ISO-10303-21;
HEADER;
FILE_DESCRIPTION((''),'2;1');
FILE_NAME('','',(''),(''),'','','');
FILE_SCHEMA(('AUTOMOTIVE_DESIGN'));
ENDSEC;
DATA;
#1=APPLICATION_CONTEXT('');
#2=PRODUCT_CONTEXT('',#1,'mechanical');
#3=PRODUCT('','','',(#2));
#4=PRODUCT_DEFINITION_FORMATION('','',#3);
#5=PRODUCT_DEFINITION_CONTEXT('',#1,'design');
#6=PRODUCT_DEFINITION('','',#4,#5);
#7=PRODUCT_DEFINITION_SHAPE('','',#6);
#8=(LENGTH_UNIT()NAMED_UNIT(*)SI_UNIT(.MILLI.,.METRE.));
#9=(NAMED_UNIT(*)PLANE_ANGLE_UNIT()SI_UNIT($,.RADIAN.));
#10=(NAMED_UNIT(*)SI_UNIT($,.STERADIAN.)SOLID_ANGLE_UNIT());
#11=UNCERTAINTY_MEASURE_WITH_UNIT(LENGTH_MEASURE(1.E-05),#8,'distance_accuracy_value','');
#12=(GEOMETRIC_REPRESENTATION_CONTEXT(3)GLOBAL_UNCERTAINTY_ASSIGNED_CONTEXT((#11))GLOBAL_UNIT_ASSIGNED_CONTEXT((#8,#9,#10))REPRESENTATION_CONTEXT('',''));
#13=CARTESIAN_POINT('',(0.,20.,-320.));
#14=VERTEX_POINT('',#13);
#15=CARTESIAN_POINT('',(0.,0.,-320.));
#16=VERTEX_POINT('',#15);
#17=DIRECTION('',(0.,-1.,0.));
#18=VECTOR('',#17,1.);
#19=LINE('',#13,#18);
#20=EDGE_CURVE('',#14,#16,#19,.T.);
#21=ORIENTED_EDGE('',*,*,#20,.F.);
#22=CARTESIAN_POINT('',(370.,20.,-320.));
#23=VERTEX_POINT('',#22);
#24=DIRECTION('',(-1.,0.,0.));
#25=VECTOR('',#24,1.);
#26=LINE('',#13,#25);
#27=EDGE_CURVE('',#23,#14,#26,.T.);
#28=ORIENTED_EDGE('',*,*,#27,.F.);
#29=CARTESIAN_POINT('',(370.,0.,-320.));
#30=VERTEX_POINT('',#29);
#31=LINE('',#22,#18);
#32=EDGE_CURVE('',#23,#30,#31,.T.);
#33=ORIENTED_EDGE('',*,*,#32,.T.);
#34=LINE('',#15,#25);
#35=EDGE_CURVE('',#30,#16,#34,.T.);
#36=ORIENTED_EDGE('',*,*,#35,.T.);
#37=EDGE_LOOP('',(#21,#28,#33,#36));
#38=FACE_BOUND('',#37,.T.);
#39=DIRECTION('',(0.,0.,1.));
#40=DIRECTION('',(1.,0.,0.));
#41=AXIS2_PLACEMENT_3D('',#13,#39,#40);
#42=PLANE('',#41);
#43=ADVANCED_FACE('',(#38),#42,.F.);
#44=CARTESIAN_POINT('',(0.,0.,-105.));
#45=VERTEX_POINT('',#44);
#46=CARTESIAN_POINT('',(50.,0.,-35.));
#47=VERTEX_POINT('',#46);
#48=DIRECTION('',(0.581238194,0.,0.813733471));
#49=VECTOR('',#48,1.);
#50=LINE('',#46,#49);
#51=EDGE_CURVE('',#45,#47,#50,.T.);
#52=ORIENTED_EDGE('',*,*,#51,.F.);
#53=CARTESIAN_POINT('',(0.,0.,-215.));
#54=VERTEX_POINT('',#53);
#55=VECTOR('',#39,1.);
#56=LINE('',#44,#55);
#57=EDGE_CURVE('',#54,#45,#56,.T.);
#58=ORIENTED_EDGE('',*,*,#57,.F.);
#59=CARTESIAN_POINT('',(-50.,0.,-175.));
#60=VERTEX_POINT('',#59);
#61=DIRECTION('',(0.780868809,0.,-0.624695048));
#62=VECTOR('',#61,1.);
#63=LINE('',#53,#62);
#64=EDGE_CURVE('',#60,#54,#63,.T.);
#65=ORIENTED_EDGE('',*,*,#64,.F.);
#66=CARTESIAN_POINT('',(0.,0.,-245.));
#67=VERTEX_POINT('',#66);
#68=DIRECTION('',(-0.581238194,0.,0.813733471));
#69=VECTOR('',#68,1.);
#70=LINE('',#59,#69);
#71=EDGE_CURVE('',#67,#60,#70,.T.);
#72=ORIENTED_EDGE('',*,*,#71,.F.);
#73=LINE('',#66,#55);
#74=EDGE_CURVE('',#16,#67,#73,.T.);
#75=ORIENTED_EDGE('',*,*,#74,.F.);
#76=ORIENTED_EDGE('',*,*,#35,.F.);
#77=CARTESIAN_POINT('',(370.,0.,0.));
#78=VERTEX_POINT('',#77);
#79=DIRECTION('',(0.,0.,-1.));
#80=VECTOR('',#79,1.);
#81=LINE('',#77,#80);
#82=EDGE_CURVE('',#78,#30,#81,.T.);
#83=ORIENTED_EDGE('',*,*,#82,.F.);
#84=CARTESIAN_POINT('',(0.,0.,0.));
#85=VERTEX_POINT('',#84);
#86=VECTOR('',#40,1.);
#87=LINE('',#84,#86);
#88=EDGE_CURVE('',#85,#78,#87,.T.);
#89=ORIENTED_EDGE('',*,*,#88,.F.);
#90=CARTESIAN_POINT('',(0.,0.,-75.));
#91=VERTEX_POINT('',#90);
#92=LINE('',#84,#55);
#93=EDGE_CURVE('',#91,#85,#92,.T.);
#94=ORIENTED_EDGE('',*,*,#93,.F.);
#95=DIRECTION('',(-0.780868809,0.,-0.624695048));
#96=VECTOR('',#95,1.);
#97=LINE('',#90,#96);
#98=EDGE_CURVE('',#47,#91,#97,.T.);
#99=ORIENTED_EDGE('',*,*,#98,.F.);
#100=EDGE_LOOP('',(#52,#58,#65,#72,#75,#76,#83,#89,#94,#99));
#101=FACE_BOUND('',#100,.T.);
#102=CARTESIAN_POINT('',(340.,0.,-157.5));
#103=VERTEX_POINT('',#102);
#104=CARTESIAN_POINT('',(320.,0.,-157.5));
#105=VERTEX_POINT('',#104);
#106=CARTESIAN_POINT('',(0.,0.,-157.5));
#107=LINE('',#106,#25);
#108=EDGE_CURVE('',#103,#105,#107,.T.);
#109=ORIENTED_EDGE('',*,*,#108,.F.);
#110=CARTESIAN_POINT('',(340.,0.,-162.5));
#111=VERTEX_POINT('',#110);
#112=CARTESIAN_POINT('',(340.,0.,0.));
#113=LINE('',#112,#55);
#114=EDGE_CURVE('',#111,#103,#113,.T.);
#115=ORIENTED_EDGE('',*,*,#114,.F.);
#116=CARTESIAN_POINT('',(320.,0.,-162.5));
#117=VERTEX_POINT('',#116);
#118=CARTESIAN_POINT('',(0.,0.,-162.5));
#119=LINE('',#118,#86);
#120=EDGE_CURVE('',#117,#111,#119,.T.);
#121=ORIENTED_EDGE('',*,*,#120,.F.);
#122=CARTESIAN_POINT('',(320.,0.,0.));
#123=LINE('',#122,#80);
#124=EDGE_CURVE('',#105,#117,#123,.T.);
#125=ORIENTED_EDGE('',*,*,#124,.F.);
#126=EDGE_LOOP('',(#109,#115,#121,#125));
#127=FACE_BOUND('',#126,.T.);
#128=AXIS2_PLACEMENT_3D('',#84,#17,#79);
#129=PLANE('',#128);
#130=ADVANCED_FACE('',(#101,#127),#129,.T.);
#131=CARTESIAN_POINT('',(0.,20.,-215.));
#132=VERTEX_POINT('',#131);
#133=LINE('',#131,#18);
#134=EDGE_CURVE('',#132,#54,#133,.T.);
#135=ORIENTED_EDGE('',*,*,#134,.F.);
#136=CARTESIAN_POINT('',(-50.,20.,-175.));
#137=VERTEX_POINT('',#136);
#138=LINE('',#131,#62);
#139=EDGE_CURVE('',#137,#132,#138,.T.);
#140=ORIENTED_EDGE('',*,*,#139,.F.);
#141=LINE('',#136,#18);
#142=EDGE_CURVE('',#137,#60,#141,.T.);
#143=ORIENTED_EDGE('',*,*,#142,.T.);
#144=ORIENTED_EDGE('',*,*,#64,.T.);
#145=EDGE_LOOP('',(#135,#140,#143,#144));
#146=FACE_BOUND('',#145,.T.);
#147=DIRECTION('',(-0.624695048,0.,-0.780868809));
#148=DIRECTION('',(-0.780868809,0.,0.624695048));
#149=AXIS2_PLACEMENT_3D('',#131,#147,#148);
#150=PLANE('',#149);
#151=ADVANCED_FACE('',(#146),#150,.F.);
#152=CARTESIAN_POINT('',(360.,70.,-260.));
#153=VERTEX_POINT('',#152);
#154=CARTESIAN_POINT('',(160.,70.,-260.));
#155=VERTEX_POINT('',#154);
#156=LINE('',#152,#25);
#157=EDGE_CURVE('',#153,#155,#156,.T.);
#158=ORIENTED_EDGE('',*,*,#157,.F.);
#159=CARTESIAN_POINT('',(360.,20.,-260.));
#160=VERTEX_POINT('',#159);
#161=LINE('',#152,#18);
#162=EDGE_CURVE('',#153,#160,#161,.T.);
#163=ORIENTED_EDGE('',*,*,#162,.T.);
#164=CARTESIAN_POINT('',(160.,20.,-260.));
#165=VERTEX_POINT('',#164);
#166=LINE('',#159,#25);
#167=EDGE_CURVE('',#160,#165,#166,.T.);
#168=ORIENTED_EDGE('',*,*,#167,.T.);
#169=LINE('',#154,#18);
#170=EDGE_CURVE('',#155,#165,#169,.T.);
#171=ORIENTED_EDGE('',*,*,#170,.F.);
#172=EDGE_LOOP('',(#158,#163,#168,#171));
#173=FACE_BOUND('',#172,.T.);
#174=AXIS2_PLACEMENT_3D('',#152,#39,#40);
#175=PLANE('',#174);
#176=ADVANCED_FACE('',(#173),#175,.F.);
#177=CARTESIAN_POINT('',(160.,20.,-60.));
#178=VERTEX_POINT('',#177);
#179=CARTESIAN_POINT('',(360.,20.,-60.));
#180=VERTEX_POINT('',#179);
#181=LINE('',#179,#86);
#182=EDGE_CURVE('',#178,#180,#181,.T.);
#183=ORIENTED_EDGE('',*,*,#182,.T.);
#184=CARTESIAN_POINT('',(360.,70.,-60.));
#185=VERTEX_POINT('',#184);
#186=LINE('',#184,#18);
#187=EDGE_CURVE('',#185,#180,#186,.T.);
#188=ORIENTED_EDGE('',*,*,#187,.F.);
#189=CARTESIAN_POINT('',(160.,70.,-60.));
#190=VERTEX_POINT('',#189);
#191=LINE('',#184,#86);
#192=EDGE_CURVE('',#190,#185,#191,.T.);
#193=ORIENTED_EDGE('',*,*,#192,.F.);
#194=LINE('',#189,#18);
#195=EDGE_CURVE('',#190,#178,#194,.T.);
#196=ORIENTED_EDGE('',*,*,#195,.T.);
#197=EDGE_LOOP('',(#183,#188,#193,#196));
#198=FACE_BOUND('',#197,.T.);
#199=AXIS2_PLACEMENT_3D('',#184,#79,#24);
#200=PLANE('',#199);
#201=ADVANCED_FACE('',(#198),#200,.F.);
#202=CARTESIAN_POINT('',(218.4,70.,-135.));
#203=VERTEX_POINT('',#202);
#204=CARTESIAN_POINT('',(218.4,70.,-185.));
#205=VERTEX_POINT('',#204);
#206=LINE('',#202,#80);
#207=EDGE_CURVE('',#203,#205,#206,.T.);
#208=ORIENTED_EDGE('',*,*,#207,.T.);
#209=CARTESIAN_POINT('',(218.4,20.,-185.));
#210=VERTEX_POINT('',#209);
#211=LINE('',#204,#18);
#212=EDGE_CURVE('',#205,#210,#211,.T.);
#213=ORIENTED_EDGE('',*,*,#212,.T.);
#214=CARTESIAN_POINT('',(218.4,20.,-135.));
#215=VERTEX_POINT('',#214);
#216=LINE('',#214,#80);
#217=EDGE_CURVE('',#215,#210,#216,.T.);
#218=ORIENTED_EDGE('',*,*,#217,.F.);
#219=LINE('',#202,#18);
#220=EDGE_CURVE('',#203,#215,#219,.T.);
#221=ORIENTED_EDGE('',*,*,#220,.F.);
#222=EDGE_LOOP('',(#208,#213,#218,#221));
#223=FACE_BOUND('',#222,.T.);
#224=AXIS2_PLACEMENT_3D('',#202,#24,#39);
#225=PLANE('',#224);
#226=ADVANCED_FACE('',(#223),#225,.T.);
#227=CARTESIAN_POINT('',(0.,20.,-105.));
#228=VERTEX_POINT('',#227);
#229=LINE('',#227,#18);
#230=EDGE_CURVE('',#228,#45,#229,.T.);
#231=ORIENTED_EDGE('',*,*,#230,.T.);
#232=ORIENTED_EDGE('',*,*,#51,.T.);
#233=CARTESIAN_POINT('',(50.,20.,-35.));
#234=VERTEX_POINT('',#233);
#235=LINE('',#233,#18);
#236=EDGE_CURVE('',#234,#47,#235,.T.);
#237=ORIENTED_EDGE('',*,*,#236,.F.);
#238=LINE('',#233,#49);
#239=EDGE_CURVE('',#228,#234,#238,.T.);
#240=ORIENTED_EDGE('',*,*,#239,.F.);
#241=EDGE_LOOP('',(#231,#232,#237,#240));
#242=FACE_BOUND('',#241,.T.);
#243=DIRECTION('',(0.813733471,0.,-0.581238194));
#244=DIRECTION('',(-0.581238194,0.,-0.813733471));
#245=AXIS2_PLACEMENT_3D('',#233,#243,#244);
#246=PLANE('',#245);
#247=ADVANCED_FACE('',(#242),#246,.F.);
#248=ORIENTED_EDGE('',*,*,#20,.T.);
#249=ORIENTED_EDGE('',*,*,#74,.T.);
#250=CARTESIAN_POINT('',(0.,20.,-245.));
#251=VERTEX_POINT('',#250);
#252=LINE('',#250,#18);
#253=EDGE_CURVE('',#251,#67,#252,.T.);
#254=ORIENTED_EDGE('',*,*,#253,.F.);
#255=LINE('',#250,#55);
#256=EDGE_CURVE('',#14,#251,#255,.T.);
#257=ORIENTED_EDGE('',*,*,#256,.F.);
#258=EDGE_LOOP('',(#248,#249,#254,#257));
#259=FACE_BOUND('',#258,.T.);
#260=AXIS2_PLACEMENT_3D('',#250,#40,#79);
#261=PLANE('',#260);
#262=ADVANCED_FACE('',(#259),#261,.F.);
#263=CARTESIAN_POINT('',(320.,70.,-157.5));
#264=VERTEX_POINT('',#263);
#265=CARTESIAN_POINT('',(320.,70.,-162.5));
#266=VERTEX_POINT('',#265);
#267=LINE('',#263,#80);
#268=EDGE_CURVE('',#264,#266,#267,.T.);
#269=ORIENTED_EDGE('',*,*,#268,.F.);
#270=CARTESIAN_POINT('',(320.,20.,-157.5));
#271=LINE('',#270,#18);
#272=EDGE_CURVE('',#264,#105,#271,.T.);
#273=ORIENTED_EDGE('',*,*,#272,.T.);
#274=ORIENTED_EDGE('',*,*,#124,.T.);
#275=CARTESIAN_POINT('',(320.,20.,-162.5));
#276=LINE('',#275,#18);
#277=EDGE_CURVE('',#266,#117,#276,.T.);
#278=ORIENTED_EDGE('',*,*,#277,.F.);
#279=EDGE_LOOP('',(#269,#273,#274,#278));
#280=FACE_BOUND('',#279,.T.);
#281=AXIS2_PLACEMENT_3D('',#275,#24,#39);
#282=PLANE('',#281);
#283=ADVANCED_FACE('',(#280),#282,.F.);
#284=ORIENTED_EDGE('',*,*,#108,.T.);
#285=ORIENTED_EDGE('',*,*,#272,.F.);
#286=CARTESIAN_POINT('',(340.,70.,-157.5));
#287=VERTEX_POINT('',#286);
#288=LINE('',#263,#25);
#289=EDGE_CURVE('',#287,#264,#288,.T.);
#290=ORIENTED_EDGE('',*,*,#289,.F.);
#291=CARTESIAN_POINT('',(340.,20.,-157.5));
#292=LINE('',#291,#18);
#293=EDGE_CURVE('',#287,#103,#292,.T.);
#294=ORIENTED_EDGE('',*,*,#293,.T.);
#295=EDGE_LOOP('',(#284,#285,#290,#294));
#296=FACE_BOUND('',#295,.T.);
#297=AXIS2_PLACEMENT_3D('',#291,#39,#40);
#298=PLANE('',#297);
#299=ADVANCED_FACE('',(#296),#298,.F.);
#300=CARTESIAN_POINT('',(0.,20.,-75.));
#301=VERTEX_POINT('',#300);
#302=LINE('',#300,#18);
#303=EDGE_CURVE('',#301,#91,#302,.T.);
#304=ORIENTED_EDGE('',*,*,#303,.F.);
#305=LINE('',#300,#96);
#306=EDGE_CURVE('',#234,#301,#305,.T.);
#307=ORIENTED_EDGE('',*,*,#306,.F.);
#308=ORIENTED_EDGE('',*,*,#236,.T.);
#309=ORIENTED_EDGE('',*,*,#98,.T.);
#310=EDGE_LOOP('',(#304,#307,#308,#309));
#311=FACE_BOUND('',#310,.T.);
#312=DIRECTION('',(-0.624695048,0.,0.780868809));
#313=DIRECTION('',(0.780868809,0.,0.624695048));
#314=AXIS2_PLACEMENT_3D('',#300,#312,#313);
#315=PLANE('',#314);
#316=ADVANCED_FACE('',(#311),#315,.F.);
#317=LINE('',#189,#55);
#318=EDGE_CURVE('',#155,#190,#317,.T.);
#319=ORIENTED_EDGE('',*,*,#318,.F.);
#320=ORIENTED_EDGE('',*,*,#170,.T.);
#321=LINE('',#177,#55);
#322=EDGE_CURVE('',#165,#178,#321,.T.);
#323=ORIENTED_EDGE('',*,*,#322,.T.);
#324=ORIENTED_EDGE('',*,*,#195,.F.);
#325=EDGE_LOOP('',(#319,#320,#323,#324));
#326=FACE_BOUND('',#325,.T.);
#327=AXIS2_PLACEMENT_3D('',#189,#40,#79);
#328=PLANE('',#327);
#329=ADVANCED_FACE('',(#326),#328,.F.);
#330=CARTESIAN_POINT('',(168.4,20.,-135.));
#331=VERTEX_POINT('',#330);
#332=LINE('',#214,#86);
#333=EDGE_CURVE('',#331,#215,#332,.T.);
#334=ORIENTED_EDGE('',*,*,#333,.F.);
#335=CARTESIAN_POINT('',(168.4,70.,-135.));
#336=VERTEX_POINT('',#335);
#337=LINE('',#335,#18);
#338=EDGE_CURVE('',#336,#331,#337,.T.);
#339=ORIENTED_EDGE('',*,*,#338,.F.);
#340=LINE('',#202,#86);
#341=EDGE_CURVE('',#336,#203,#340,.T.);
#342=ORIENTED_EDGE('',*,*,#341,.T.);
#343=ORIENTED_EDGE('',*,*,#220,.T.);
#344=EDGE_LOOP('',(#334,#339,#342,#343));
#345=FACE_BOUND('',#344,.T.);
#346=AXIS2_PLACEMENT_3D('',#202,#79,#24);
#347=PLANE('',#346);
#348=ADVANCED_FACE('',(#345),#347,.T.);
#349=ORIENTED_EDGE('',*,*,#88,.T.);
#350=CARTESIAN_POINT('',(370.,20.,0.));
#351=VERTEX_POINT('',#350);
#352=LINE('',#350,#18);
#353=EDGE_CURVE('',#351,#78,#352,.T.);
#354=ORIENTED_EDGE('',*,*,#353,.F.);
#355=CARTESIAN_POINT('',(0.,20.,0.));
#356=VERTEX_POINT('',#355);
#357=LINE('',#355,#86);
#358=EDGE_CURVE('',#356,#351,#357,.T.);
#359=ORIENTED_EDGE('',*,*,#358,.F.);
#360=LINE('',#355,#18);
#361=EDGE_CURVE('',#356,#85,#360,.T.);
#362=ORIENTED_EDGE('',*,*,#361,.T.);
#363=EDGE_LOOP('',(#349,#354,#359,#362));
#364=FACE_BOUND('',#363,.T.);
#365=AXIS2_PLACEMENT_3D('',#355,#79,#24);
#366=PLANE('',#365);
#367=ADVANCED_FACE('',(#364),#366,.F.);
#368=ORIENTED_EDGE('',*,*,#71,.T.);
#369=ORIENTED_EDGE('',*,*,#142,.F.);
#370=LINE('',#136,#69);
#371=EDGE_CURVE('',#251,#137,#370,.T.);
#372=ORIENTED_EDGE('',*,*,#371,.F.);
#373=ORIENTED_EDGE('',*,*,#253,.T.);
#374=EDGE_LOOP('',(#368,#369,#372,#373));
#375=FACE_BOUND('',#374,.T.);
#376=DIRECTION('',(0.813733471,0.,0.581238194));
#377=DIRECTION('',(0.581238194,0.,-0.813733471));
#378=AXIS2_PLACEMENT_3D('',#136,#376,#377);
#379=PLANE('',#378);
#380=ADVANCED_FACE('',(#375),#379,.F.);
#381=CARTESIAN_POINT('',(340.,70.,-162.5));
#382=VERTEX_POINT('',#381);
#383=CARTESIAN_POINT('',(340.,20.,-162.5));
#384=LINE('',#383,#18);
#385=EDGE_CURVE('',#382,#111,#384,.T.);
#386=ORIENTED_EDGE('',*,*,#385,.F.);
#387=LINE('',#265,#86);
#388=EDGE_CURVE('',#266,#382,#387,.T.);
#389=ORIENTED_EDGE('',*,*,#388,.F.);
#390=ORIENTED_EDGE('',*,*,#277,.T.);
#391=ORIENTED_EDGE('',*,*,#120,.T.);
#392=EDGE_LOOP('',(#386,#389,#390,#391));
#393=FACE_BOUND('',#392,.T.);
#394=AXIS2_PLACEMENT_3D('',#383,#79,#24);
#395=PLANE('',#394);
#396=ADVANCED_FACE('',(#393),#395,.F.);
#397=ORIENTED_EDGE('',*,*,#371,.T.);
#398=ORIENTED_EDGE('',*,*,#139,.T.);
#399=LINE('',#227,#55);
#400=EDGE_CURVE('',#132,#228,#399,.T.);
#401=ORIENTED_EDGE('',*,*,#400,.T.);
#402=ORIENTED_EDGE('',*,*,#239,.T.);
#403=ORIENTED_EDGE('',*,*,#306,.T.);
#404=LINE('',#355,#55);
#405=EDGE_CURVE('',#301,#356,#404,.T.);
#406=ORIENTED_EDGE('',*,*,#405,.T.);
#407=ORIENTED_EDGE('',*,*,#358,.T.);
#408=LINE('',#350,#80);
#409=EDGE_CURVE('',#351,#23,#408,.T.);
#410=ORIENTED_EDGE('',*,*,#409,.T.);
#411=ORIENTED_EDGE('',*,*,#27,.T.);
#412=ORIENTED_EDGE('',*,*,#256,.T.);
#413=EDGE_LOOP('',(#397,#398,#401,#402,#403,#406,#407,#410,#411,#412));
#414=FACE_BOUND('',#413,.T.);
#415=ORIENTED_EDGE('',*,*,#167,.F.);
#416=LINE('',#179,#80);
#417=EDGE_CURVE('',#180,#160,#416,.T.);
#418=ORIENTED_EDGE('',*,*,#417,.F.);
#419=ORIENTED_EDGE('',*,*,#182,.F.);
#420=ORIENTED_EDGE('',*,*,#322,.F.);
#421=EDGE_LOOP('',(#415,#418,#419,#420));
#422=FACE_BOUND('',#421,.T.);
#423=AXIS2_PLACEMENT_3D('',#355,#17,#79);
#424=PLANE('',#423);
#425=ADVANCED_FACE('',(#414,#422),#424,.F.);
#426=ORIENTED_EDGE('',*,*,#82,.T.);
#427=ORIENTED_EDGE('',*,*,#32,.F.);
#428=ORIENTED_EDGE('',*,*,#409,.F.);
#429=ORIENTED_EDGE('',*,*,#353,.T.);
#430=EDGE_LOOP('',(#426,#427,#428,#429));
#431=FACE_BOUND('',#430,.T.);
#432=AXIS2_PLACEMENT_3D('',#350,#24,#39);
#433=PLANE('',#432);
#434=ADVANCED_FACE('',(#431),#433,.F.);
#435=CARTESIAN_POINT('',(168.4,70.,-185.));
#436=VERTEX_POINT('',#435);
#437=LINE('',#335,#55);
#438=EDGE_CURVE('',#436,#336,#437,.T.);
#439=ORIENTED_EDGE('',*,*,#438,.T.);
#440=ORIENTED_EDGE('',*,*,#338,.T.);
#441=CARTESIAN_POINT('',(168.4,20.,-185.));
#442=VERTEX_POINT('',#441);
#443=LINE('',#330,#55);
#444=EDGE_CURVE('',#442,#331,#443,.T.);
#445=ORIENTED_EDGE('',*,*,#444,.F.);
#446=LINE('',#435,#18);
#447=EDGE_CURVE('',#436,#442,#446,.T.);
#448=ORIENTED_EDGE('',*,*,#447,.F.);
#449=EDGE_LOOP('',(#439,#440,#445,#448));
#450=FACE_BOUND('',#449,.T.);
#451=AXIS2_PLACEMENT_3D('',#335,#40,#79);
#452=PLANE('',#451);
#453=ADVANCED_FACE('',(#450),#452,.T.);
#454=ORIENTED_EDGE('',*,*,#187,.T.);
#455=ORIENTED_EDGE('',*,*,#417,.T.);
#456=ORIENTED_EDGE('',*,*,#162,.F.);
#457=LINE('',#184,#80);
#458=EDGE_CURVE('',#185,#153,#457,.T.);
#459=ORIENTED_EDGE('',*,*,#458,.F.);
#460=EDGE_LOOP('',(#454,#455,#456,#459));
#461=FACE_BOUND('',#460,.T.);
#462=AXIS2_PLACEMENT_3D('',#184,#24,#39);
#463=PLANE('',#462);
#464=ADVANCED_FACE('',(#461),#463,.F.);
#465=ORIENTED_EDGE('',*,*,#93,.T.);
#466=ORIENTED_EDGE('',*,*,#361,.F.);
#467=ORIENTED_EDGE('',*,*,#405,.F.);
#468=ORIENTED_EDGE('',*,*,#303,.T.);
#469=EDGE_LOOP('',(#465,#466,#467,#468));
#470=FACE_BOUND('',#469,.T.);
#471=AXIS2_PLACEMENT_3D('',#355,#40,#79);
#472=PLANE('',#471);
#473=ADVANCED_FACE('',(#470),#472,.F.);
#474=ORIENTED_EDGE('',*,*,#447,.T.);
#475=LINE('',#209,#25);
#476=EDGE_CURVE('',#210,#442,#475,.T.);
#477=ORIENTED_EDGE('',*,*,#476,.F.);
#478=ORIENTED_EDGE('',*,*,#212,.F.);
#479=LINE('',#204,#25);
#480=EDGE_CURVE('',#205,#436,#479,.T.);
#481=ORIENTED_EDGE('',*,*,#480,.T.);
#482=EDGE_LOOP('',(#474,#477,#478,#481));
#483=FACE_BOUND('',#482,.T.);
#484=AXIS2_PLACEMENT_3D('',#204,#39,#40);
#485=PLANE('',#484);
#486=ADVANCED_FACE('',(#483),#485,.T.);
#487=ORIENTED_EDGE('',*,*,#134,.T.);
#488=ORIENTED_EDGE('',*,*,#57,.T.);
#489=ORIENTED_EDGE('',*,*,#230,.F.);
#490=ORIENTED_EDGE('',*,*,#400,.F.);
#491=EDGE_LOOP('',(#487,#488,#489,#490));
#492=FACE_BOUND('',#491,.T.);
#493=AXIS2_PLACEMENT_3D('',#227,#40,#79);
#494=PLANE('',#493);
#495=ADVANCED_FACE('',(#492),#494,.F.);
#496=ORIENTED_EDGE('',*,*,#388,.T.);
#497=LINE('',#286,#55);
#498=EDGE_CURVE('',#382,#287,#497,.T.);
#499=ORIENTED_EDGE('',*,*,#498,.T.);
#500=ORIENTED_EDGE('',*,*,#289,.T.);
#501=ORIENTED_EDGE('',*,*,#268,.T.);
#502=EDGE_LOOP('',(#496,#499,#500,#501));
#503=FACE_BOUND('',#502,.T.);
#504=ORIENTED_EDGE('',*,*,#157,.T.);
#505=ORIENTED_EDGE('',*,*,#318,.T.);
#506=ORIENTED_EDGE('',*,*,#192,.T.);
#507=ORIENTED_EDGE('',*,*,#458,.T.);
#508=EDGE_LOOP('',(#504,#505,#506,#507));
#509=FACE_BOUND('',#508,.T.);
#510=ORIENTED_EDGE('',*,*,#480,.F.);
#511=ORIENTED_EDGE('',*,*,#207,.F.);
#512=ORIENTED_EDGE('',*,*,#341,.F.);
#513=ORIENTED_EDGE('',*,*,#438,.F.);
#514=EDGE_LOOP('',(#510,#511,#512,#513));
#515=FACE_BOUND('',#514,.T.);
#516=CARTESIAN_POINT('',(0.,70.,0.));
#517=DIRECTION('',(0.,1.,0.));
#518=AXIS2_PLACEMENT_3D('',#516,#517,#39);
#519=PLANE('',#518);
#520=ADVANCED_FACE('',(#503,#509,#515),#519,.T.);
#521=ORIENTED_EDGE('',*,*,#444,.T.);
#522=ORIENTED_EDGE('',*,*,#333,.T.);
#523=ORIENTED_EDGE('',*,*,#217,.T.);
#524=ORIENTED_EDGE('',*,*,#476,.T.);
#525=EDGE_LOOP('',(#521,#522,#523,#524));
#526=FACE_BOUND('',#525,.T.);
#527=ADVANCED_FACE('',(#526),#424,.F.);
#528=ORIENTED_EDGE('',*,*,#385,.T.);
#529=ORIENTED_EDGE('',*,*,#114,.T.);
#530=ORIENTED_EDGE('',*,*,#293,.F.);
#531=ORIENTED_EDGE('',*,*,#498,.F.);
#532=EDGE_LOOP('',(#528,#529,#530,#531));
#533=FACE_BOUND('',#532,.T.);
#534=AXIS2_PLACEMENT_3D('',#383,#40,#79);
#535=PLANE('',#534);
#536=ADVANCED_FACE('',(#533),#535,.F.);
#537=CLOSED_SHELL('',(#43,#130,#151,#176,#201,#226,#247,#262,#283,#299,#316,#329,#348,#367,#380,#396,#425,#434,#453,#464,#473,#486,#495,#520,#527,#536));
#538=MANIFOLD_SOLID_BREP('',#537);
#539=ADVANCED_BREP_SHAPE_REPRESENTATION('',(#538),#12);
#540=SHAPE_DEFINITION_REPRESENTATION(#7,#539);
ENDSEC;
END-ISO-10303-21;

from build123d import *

# Parameters (mm, degrees)
BOSS_EXTRUDE1_DEPTH     = 20
CUT_EXTRUDE1_DEPTH      = 490.591666596
CUT_EXTRUDE1_DEPTH_BACK = 490.591666596
SKETCH2_W               = 20
SKETCH2_H               = 5
SKETCH3_W               = 200
SKETCH3_H               = 200
SKETCH3_W_2             = 50
SKETCH3_H_2             = 50
BOSS_EXTRUDE2_DEPTH     = 50
SKETCH4_W               = 20
SKETCH4_H               = 5
CUT_EXTRUDE2_DEPTH      = 495.165964024


with BuildPart() as part:
    # Sketch1 → Boss-Extrude1 (new body)
    with BuildSketch(Plane(origin=(0, 0, 0), x_dir=(1, 0, 0), z_dir=(0, 1, 0))):
        Polygon((0, 75), (50, 35), (0, 105), (0, 215), (-50, 175), (0, 245), (0, 320), (370, 320), (370, 0), (0, 0), align=None)
    extrude(amount=BOSS_EXTRUDE1_DEPTH)

    # Sketch2 → Cut-Extrude1 (cut, two sides: drawn at the far end of the back side and taken through both)
    with BuildSketch(Plane.XZ.offset(-CUT_EXTRUDE1_DEPTH_BACK)):
        with Locations((330, -160)):
            Rectangle(SKETCH2_W, SKETCH2_H)
    extrude(amount=CUT_EXTRUDE1_DEPTH + CUT_EXTRUDE1_DEPTH_BACK, mode=Mode.SUBTRACT)

    # Sketch3 → Boss-Extrude2 (add)
    with BuildSketch(Plane(origin=(0, 20, 0), x_dir=(1, 0, 0), z_dir=(0, 1, 0))):
        with Locations((260, 160)):
            Rectangle(SKETCH3_W, SKETCH3_H)
        with Locations((193.4, 160)):
            Rectangle(SKETCH3_W_2, SKETCH3_H_2, mode=Mode.SUBTRACT)
    extrude(amount=BOSS_EXTRUDE2_DEPTH)

    # Sketch4 → Cut-Extrude2 (cut, through all)
    with BuildSketch(Plane.XZ):
        with Locations((330, -160)):
            Rectangle(SKETCH4_W, SKETCH4_H)
    extrude(amount=-CUT_EXTRUDE2_DEPTH, mode=Mode.SUBTRACT)


solid = part.part
